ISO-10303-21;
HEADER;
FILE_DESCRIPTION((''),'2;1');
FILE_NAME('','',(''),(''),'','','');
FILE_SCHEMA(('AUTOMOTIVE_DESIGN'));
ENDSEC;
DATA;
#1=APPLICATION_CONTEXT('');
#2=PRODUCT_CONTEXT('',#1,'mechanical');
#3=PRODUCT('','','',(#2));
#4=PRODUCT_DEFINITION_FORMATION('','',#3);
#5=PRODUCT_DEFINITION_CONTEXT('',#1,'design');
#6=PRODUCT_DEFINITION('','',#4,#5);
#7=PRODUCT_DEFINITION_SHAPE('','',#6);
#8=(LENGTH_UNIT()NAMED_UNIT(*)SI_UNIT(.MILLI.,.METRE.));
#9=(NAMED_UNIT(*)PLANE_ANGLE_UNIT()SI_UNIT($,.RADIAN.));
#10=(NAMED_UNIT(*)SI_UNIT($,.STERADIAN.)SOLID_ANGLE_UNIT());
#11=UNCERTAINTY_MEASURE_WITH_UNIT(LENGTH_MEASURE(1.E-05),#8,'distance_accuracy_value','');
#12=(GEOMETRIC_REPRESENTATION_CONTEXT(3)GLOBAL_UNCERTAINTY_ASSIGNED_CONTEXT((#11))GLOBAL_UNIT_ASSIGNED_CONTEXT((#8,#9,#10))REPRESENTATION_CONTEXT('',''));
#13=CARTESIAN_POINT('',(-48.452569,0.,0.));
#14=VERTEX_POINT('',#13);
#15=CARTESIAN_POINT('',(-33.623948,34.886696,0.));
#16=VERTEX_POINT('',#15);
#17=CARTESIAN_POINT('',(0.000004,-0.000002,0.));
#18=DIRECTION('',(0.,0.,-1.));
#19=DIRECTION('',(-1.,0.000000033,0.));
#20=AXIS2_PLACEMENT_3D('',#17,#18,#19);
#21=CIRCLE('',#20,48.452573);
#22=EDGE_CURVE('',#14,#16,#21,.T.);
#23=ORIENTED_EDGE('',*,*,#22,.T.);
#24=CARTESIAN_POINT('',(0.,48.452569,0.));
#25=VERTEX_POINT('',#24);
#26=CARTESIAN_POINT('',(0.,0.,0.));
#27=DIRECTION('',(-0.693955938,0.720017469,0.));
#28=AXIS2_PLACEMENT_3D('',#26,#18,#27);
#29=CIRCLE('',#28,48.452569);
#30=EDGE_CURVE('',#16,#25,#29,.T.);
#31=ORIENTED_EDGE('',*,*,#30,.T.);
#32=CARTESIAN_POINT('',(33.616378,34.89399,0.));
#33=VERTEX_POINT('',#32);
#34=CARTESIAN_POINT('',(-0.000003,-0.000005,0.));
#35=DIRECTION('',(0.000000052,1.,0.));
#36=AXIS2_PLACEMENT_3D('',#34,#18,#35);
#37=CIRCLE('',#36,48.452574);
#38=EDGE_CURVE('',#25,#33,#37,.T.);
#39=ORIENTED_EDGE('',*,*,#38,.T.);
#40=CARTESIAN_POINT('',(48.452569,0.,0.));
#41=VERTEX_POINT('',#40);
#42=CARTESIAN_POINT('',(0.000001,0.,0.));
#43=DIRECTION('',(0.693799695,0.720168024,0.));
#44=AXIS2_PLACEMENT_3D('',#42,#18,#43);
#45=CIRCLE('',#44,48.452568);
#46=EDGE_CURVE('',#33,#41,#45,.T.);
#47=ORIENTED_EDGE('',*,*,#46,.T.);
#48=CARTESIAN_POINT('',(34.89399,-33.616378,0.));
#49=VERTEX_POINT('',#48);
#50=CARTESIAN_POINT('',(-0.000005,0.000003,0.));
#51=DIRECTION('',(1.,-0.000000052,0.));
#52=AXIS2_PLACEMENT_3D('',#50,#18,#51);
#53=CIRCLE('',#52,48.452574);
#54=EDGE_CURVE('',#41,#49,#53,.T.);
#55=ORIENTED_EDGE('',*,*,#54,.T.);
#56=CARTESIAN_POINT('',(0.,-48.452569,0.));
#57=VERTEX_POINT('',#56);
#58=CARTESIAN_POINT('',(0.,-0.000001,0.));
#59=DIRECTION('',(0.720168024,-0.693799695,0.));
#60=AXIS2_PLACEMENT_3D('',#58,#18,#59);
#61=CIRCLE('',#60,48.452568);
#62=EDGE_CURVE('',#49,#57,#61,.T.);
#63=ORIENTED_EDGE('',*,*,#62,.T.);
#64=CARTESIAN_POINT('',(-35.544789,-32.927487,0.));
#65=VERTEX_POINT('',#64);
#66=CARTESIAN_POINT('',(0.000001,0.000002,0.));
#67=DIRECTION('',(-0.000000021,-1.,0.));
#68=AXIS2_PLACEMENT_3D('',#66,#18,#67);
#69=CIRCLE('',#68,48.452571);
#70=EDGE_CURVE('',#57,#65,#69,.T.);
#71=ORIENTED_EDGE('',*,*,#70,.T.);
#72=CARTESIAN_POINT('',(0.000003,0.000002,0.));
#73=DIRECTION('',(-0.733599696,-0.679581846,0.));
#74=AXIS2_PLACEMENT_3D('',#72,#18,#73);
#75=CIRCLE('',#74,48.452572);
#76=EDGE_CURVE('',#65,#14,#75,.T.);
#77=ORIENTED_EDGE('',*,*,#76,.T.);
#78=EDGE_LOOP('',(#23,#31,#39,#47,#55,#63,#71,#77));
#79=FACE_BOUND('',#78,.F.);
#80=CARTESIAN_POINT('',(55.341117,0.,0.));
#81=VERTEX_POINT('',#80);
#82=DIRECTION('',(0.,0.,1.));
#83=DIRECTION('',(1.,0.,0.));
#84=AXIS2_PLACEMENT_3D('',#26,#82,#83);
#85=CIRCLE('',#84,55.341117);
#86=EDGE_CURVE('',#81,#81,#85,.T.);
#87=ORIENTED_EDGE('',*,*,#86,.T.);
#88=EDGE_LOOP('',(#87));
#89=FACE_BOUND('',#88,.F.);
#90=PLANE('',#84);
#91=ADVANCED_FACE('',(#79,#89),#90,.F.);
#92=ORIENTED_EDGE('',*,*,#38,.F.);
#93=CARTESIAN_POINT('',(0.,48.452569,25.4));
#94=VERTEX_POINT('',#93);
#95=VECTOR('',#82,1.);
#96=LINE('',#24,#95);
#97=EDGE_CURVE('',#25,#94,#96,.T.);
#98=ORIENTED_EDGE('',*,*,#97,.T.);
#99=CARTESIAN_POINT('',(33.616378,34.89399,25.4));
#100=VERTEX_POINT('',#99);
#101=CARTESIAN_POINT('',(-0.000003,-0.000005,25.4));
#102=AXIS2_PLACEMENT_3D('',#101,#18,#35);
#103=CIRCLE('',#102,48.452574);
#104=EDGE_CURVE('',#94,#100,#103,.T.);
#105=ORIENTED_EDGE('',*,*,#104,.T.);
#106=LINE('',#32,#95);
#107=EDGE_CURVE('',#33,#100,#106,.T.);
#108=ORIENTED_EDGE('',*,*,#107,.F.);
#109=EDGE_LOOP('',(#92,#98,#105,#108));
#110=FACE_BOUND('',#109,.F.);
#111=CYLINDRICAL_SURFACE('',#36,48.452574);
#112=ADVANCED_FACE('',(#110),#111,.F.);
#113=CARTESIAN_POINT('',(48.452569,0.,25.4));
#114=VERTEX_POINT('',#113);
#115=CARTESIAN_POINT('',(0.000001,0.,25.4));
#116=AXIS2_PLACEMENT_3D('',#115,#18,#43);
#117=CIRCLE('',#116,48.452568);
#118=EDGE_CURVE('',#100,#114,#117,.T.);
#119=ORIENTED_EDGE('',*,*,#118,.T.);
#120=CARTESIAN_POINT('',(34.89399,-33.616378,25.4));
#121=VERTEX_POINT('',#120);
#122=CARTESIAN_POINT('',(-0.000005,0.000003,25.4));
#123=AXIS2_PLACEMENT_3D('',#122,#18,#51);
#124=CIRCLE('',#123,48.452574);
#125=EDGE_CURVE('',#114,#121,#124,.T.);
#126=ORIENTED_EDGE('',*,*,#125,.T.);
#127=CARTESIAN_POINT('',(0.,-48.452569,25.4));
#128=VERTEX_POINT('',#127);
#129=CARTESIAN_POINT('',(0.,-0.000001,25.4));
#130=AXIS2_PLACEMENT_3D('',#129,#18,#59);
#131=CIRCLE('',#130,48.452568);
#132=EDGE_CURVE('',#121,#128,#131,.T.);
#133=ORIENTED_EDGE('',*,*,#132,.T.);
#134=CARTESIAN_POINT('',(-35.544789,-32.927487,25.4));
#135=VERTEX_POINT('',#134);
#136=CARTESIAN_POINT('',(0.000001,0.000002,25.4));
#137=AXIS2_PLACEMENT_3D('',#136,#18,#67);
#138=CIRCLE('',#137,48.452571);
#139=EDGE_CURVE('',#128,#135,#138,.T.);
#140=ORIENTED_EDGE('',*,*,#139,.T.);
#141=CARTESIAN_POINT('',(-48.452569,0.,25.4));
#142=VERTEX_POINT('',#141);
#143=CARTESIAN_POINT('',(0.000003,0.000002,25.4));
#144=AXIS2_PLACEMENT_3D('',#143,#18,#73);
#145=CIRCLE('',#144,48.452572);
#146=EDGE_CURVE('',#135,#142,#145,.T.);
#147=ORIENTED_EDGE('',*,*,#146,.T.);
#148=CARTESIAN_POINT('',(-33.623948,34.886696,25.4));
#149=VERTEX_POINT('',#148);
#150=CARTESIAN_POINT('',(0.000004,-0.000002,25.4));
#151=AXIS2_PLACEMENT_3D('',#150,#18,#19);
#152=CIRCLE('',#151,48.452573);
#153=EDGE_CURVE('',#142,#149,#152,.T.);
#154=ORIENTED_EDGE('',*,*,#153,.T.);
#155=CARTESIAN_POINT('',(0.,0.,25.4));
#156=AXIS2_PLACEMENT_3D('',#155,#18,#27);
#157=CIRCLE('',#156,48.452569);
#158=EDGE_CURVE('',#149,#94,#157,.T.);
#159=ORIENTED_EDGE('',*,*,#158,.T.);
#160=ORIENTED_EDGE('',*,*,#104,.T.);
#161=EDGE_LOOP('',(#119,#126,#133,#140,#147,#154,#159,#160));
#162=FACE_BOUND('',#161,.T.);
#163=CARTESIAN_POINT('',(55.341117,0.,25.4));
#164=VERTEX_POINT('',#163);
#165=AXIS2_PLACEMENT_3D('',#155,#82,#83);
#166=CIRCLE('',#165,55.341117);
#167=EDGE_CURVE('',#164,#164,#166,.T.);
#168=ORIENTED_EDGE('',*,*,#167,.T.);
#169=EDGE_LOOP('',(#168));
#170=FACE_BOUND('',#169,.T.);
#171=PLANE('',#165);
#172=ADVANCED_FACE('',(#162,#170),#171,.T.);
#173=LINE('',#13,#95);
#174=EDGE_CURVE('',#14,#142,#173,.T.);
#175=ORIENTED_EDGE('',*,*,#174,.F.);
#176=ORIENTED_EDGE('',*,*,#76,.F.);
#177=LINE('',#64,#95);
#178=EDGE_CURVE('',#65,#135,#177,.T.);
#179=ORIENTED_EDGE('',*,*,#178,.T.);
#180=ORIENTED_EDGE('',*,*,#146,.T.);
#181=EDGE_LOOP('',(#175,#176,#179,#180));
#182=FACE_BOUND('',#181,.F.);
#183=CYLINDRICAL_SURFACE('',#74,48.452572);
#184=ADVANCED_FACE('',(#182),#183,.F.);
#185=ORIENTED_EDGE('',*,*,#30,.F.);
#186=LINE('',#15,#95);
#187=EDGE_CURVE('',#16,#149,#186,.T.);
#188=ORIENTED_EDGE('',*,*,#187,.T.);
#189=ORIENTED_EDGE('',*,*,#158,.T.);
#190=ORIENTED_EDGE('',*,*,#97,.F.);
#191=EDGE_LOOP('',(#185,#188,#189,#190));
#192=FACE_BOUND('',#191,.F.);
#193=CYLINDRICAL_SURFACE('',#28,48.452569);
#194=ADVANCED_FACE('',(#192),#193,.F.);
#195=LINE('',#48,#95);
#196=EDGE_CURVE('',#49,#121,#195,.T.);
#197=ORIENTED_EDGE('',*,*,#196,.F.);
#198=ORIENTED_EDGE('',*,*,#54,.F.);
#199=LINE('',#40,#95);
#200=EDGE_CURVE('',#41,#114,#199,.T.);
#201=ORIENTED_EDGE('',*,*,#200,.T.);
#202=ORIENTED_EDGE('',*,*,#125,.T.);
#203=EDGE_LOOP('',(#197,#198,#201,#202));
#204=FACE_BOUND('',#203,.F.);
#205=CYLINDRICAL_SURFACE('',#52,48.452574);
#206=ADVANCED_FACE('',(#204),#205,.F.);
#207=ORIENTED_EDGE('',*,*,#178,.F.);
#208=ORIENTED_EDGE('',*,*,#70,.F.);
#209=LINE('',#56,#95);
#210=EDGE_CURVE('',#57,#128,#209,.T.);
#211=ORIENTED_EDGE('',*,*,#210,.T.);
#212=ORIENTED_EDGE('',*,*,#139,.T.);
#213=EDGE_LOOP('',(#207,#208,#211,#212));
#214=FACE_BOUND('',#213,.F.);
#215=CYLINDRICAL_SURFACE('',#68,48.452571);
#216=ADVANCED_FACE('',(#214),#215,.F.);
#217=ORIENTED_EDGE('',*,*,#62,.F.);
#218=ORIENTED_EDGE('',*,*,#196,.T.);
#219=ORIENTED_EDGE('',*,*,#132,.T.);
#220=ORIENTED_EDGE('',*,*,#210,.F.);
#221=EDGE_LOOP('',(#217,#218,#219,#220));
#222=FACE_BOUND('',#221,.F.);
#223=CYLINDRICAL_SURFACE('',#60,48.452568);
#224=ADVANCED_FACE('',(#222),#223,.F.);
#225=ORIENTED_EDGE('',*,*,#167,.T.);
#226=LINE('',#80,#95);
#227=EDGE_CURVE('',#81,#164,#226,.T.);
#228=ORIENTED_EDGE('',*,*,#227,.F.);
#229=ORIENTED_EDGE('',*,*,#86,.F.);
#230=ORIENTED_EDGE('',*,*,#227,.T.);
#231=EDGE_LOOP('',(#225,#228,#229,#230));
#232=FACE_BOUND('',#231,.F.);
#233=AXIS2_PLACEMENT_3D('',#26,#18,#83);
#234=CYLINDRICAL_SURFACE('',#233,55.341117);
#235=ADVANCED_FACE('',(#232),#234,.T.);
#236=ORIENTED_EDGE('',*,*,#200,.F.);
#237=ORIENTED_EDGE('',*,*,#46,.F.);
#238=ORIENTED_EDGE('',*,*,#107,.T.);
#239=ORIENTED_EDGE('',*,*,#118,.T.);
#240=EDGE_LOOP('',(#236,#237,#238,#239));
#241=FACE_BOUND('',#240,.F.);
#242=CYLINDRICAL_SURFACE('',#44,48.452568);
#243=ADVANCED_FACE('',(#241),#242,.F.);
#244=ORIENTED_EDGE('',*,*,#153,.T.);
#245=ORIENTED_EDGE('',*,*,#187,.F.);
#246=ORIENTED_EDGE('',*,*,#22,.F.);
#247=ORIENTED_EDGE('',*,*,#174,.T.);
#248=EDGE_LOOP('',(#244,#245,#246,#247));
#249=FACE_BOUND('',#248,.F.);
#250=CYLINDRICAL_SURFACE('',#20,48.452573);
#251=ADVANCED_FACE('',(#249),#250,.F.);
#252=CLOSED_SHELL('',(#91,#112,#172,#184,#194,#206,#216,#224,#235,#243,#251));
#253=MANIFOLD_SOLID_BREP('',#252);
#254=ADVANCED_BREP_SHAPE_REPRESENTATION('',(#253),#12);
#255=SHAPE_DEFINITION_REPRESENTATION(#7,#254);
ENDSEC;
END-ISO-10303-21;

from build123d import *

# Parameters (mm, degrees)
F0_R     = 55.341117
F1_DEPTH = 25.4


with BuildPart() as f1:
    # F0 (on Top) → F1 (new body)
    with BuildSketch(Plane.XY):
        Circle(F0_R)
        with BuildLine():
            ThreePointArc((33.616378, 34.89399), (44.589524, 18.958528), (48.452569, 0))
            ThreePointArc((48.452569, 0), (44.935258, -18.123851), (34.89399, -33.616378))
            ThreePointArc((34.89399, -33.616378), (18.958528, -44.589524), (0, -48.452569))
            ThreePointArc((0, -48.452569), (-19.393686, -44.401986), (-35.544789, -32.927487))
            ThreePointArc((-35.544789, -32.927487), (-45.110352, -17.683539), (-48.452569, 0))
            ThreePointArc((-48.452569, 0), (-44.59158, 18.953691), (-33.623948, 34.886696))
            ThreePointArc((-33.623948, 34.886696), (-18.128726, 44.933292), (0, 48.452569))
            ThreePointArc((0, 48.452569), (18.123851, 44.935258), (33.616378, 34.89399))
        make_face(mode=Mode.SUBTRACT)
    extrude(amount=F1_DEPTH)


solid = f1.part
